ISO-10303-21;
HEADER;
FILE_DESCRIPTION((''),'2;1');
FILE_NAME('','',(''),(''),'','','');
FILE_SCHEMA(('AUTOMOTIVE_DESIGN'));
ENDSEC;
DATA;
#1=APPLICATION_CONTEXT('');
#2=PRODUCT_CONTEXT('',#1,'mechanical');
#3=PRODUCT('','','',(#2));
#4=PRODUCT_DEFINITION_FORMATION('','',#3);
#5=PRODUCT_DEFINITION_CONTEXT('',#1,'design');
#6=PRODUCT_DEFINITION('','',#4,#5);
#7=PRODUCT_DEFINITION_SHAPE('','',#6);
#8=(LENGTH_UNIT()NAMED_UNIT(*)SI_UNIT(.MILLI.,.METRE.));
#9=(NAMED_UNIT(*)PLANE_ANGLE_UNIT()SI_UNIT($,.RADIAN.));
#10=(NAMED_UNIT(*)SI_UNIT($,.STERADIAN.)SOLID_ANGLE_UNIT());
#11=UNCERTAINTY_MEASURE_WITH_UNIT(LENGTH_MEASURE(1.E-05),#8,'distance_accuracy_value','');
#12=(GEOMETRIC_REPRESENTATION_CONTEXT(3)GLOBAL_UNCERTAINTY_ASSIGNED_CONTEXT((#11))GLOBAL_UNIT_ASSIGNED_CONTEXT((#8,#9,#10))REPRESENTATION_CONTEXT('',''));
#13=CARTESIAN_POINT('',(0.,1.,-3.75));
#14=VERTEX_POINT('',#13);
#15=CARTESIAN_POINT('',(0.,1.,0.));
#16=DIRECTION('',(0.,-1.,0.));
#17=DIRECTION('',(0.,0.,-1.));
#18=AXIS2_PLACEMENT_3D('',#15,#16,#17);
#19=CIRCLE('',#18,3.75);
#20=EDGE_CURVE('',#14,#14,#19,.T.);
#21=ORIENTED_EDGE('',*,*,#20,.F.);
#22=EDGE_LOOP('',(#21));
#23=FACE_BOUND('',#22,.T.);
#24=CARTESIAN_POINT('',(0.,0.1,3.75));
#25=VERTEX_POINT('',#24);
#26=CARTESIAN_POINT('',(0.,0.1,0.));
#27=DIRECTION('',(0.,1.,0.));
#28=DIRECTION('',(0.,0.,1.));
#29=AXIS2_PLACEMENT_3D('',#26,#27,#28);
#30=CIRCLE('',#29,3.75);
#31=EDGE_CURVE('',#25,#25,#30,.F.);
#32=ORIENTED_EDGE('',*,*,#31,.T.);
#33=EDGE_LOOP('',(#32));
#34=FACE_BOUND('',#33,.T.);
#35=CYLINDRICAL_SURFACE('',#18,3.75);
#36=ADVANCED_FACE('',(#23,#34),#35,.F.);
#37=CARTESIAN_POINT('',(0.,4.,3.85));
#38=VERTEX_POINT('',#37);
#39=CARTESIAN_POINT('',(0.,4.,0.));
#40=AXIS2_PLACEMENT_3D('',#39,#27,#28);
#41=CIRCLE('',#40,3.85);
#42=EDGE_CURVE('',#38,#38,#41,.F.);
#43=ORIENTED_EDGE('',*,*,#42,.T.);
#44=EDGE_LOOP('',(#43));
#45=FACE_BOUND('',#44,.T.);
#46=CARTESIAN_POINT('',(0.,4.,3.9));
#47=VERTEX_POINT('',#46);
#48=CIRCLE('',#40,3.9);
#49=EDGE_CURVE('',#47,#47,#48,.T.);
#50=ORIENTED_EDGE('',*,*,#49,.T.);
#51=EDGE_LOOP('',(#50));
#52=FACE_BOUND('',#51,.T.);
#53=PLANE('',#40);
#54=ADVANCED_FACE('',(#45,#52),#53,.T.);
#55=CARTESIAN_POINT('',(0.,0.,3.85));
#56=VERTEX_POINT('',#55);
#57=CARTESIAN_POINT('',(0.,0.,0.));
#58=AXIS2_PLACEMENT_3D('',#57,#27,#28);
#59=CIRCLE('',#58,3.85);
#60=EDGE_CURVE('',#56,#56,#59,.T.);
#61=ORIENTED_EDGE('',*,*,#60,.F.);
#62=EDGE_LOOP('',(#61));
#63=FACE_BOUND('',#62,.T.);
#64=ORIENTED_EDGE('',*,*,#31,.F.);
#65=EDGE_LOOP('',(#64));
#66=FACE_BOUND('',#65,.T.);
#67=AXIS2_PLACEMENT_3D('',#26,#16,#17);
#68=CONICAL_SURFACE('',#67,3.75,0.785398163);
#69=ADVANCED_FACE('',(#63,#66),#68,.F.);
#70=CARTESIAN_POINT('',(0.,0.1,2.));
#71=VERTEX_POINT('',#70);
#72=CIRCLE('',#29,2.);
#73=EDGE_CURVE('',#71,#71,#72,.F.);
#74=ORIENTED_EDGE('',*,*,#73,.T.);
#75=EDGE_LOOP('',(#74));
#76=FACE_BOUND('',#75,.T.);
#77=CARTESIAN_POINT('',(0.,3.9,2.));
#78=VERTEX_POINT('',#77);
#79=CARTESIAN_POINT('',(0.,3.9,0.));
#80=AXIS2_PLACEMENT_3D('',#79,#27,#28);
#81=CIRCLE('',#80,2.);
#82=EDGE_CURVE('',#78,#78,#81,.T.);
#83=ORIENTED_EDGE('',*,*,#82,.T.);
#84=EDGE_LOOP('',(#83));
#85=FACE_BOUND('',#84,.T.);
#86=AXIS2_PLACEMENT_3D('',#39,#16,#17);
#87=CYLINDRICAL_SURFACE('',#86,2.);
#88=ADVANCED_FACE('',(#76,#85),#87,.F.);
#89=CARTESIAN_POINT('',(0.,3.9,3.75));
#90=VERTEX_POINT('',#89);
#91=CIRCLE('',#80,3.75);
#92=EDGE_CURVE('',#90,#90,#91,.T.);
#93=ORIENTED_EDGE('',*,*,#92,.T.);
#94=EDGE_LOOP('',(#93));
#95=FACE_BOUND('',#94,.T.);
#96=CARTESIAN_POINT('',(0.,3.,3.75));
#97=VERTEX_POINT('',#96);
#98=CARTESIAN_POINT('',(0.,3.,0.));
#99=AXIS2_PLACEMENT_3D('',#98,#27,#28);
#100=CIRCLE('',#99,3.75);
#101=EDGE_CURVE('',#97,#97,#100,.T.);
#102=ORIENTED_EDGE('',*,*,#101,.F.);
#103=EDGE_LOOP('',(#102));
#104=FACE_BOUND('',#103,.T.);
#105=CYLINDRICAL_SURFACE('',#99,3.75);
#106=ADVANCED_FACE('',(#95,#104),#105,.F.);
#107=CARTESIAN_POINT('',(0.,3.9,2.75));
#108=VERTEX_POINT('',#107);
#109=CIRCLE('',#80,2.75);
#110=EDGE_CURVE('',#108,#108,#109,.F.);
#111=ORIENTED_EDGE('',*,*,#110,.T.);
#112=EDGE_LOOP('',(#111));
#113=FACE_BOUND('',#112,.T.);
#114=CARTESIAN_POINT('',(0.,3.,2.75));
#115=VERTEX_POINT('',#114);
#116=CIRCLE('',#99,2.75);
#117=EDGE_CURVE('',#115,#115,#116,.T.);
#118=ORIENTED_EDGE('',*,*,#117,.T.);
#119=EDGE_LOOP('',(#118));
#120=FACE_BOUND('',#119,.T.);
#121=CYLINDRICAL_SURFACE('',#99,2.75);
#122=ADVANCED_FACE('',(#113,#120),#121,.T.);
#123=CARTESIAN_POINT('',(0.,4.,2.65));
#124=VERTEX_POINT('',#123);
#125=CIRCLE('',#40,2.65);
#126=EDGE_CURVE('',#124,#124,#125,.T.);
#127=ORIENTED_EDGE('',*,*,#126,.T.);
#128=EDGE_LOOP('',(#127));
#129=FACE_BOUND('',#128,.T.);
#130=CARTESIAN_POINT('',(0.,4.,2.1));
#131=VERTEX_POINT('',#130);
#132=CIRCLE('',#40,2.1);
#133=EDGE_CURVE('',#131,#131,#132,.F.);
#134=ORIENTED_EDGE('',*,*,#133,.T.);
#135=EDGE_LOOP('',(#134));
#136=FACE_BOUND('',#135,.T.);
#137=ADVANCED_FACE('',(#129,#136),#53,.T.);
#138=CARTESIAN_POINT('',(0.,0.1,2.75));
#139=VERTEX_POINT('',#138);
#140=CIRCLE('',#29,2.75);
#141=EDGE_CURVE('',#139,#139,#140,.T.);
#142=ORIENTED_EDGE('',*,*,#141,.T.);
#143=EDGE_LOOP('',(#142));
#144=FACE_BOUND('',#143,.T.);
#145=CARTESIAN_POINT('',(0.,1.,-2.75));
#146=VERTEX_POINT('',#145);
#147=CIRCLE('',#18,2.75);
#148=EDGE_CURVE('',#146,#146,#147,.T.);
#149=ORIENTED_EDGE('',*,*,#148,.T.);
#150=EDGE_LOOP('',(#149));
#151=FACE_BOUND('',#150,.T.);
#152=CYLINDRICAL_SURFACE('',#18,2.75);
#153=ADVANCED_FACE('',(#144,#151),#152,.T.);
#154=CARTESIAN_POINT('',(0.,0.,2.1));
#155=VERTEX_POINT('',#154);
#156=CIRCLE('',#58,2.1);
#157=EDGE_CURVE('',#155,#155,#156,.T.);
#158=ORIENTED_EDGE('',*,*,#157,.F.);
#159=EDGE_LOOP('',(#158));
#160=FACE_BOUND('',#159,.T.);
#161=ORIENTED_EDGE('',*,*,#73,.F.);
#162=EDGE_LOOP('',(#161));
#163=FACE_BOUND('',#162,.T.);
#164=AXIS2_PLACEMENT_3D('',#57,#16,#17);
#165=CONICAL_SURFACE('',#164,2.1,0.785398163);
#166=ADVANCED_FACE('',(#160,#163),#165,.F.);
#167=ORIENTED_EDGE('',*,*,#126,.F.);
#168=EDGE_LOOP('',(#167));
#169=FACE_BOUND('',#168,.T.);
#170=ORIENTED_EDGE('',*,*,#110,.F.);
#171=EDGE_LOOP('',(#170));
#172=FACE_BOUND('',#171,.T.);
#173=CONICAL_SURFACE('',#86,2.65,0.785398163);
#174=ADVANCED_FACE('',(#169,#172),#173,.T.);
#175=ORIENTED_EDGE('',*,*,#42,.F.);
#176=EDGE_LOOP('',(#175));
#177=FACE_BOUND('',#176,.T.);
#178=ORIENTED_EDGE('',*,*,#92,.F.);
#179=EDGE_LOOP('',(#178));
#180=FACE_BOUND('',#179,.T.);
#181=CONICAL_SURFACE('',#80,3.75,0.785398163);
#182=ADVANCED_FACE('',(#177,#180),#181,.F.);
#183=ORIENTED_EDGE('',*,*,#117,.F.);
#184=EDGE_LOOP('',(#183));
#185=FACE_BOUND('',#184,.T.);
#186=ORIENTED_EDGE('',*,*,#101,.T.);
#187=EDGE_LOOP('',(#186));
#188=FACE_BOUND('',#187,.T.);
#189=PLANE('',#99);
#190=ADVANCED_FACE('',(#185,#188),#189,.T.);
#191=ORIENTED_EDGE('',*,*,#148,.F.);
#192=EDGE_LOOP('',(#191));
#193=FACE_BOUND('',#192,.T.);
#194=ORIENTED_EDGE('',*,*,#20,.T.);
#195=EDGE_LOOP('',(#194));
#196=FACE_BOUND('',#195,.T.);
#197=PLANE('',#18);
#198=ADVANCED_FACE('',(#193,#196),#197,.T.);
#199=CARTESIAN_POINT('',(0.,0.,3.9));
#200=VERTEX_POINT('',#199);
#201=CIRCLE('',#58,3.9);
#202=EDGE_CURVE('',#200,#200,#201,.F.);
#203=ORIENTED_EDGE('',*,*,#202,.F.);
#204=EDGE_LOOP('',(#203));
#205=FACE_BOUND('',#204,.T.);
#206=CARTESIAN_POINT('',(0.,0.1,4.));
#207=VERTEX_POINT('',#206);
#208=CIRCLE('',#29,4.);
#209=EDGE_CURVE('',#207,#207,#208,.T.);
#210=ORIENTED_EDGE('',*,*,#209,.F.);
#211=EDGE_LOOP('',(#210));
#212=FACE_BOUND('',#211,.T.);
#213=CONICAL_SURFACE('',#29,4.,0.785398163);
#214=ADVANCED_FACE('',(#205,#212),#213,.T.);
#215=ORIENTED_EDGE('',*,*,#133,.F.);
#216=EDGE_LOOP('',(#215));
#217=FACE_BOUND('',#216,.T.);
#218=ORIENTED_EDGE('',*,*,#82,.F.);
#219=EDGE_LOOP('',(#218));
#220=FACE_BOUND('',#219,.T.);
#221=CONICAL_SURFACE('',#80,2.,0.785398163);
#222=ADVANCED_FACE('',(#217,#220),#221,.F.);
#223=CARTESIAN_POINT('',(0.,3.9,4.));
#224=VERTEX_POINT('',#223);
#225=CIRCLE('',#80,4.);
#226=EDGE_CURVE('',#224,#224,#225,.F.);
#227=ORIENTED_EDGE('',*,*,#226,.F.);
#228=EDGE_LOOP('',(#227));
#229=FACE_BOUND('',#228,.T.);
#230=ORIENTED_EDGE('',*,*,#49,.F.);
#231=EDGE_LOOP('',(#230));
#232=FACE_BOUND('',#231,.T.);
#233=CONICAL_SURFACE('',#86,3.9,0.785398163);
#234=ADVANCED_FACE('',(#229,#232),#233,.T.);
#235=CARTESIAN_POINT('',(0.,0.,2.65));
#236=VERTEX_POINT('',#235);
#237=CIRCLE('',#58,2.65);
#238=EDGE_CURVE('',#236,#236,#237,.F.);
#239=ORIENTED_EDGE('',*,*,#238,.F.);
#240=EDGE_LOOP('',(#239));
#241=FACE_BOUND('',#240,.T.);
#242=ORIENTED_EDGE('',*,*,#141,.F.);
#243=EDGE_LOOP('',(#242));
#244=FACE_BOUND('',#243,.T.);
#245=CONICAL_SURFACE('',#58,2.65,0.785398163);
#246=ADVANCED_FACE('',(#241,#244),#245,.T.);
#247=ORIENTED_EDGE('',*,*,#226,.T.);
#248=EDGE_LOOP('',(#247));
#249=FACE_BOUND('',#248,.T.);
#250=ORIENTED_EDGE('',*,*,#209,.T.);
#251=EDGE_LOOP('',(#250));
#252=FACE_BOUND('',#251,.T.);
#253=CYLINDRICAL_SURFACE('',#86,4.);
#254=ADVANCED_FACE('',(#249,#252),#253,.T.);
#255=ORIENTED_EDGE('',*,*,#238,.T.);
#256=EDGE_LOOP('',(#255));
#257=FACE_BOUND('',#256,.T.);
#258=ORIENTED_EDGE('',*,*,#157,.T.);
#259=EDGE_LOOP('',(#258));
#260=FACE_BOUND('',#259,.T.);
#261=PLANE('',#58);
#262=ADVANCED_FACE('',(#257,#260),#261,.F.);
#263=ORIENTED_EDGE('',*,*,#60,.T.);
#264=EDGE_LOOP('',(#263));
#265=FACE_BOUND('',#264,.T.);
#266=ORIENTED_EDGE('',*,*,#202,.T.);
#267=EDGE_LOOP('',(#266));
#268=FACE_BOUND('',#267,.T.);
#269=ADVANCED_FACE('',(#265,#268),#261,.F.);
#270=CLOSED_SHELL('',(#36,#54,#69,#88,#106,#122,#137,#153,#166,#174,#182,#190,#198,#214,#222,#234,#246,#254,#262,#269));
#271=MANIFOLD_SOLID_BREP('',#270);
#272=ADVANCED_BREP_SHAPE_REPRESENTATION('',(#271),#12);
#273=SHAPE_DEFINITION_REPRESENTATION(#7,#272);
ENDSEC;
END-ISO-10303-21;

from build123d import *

# Parameters (mm, degrees)
SKETCH1_R           = 4
SKETCH1_R_2         = 2
BOSS_EXTRUDE1_DEPTH = 4
SKETCH2_R           = 3.75
SKETCH2_R_2         = 2.75
CUT_EXTRUDE1_DEPTH  = 1
CUT_EXTRUDE2_START  = -1
SKETCH3_R           = 3.75
SKETCH3_R_2         = 2.75
CUT_EXTRUDE2_DEPTH  = 1
CHAMFER1_SIZE       = 0.1


with BuildPart() as part:
    # Sketch1 → Boss-Extrude1 (new body)
    with BuildSketch(Plane(origin=(0, 0, 0), x_dir=(1, 0, 0), z_dir=(0, 1, 0))):
        with Locations(Location((0, 0, 0), (0, 0, 270))):
            Circle(SKETCH1_R)
        with Locations(Location((0, 0, 0), (0, 0, 270))):
            Circle(SKETCH1_R_2, mode=Mode.SUBTRACT)
    extrude(amount=BOSS_EXTRUDE1_DEPTH)

    # Sketch2 → Cut-Extrude1 (cut)
    with BuildSketch(Plane(origin=(0, 4, 0), x_dir=(1, 0, 0), z_dir=(0, 1, 0))):
        with Locations(Location((0, 0, 0), (0, 0, 270))):
            Circle(SKETCH2_R)
        with Locations(Location((0, 0, 0), (0, 0, 270))):
            Circle(SKETCH2_R_2, mode=Mode.SUBTRACT)
    extrude(amount=-CUT_EXTRUDE1_DEPTH, mode=Mode.SUBTRACT)

    # Sketch3 → Cut-Extrude2 (cut)
    with BuildSketch(Plane.XZ.offset(CUT_EXTRUDE2_START)):
        with Locations(Location((0, 0, 0), (0, 0, 90))):
            Circle(SKETCH3_R)
        with Locations(Location((0, 0, 0), (0, 0, 90))):
            Circle(SKETCH3_R_2, mode=Mode.SUBTRACT)
    extrude(amount=CUT_EXTRUDE2_DEPTH, mode=Mode.SUBTRACT)

    # Chamfer1
    chamfer1_edges = [part.edges().sort_by_distance(p)[0] for p in [
        (0, 4, -3.75),
        (0, 4, -2.75),
        (0, 0, -3.75),
        (0, 0, -4),
        (0, 0, -2.75),
        (0, 4, -4),
        (0, 0, -2),
        (0, 4, -2),
    ]]
    chamfer(chamfer1_edges, length=CHAMFER1_SIZE)


solid = part.part
